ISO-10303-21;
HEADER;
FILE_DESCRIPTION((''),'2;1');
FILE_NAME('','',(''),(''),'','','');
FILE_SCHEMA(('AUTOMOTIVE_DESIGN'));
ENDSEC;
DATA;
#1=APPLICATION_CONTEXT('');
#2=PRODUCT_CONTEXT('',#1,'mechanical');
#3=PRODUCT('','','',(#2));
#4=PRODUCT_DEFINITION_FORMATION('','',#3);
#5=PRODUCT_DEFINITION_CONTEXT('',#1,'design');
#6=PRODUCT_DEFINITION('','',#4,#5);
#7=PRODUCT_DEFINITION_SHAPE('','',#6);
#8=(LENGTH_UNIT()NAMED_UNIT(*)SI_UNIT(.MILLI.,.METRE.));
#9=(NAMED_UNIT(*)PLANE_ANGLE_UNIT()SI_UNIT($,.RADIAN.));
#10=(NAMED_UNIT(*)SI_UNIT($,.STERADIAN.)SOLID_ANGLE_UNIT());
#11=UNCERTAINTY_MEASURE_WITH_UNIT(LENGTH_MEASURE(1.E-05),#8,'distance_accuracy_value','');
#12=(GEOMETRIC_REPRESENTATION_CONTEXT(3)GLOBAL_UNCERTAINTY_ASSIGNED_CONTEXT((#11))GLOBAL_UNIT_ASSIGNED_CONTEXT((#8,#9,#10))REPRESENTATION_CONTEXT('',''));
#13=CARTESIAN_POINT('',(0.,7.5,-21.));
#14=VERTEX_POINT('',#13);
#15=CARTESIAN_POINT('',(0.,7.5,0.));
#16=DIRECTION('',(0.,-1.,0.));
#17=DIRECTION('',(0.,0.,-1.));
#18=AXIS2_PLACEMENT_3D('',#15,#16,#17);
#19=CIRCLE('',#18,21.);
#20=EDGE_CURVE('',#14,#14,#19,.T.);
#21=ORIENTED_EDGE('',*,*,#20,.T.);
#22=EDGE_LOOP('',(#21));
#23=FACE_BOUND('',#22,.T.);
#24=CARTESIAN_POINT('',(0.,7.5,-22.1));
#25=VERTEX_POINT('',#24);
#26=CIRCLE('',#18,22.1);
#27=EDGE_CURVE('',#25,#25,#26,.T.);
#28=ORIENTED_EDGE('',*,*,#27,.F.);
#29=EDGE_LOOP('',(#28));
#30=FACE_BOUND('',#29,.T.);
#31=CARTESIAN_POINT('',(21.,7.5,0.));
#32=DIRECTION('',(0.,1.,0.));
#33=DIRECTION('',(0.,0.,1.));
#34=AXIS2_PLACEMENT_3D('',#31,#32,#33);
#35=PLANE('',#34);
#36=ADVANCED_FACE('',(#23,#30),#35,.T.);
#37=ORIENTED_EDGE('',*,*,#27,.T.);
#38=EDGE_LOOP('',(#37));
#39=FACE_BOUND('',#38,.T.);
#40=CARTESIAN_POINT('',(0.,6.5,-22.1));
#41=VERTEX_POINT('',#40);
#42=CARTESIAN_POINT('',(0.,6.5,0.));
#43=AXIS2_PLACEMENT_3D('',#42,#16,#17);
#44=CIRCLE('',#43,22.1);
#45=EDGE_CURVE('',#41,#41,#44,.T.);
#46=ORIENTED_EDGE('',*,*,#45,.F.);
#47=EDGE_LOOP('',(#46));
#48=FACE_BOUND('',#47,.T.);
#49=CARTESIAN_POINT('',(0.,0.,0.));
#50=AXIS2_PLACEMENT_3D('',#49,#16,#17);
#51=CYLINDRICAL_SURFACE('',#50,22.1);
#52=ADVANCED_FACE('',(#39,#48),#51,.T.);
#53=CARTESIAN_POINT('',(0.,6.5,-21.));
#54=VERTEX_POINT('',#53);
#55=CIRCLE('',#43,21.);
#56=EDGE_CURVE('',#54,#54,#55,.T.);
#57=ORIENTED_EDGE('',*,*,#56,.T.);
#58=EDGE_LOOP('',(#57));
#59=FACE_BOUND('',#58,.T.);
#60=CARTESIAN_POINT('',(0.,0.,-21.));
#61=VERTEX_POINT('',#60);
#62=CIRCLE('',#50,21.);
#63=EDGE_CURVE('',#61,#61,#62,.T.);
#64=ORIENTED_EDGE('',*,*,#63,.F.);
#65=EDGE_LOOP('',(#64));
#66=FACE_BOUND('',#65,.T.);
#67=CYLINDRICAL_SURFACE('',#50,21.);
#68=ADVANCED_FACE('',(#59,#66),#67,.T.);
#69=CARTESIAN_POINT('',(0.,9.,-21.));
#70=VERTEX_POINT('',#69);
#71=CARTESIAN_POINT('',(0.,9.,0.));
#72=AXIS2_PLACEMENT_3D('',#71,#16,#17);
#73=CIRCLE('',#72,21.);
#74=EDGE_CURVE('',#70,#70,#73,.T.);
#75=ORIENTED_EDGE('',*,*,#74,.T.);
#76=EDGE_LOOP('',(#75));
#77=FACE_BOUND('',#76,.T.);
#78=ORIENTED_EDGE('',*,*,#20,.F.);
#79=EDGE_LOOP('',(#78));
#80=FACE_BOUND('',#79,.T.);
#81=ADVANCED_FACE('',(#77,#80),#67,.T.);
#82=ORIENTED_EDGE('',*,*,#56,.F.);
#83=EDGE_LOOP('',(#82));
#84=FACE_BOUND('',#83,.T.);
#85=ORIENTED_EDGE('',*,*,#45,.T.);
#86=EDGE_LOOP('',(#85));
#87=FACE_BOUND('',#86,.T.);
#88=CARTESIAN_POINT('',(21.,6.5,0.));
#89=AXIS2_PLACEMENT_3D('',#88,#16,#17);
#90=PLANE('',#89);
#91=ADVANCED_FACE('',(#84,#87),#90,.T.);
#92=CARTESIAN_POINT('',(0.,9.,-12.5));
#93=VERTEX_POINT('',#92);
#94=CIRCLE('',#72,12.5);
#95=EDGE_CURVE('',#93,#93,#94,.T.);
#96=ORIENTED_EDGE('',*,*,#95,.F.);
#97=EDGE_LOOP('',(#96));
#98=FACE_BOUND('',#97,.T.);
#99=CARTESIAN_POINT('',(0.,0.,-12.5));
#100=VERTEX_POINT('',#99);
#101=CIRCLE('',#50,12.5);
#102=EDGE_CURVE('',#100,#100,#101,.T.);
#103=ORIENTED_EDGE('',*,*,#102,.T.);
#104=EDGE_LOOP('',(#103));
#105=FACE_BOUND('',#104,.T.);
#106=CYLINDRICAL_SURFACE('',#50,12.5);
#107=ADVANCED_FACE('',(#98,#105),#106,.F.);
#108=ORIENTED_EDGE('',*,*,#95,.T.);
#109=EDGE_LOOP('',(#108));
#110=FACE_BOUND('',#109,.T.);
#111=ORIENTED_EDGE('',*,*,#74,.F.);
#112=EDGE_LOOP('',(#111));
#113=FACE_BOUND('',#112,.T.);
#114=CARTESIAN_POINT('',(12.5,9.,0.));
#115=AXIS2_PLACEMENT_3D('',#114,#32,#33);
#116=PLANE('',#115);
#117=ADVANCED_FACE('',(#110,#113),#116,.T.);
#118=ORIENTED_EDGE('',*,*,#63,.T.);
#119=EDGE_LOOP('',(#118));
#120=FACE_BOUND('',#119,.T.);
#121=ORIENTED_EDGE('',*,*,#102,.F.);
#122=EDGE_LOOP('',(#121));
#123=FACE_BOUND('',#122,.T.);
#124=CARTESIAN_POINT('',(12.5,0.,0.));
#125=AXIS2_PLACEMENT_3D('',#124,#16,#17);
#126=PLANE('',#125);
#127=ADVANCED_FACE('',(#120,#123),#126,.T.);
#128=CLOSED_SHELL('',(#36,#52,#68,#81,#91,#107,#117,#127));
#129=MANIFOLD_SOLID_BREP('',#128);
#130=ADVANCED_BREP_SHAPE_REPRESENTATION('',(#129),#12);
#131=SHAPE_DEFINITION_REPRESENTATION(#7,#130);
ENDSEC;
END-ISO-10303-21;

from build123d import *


with BuildPart() as part:
    # Croquis1 → Revolución1 (revolve)
    with BuildSketch(Plane.XY, mode=Mode.PRIVATE) as revoluci_n1_sk:
        Polygon((21, 7.5), (21, 9), (12.5, 9), (12.5, 0), (21, 0), (21, 6.5), (22.1, 6.5), (22.1, 7.5), align=None)
    revolve(revoluci_n1_sk.sketch.rotate(Axis((0, 0, 0), (0, 1, 0)), 90), axis=Axis((0, 0, 0), (0, 1, 0)))


solid = part.part
